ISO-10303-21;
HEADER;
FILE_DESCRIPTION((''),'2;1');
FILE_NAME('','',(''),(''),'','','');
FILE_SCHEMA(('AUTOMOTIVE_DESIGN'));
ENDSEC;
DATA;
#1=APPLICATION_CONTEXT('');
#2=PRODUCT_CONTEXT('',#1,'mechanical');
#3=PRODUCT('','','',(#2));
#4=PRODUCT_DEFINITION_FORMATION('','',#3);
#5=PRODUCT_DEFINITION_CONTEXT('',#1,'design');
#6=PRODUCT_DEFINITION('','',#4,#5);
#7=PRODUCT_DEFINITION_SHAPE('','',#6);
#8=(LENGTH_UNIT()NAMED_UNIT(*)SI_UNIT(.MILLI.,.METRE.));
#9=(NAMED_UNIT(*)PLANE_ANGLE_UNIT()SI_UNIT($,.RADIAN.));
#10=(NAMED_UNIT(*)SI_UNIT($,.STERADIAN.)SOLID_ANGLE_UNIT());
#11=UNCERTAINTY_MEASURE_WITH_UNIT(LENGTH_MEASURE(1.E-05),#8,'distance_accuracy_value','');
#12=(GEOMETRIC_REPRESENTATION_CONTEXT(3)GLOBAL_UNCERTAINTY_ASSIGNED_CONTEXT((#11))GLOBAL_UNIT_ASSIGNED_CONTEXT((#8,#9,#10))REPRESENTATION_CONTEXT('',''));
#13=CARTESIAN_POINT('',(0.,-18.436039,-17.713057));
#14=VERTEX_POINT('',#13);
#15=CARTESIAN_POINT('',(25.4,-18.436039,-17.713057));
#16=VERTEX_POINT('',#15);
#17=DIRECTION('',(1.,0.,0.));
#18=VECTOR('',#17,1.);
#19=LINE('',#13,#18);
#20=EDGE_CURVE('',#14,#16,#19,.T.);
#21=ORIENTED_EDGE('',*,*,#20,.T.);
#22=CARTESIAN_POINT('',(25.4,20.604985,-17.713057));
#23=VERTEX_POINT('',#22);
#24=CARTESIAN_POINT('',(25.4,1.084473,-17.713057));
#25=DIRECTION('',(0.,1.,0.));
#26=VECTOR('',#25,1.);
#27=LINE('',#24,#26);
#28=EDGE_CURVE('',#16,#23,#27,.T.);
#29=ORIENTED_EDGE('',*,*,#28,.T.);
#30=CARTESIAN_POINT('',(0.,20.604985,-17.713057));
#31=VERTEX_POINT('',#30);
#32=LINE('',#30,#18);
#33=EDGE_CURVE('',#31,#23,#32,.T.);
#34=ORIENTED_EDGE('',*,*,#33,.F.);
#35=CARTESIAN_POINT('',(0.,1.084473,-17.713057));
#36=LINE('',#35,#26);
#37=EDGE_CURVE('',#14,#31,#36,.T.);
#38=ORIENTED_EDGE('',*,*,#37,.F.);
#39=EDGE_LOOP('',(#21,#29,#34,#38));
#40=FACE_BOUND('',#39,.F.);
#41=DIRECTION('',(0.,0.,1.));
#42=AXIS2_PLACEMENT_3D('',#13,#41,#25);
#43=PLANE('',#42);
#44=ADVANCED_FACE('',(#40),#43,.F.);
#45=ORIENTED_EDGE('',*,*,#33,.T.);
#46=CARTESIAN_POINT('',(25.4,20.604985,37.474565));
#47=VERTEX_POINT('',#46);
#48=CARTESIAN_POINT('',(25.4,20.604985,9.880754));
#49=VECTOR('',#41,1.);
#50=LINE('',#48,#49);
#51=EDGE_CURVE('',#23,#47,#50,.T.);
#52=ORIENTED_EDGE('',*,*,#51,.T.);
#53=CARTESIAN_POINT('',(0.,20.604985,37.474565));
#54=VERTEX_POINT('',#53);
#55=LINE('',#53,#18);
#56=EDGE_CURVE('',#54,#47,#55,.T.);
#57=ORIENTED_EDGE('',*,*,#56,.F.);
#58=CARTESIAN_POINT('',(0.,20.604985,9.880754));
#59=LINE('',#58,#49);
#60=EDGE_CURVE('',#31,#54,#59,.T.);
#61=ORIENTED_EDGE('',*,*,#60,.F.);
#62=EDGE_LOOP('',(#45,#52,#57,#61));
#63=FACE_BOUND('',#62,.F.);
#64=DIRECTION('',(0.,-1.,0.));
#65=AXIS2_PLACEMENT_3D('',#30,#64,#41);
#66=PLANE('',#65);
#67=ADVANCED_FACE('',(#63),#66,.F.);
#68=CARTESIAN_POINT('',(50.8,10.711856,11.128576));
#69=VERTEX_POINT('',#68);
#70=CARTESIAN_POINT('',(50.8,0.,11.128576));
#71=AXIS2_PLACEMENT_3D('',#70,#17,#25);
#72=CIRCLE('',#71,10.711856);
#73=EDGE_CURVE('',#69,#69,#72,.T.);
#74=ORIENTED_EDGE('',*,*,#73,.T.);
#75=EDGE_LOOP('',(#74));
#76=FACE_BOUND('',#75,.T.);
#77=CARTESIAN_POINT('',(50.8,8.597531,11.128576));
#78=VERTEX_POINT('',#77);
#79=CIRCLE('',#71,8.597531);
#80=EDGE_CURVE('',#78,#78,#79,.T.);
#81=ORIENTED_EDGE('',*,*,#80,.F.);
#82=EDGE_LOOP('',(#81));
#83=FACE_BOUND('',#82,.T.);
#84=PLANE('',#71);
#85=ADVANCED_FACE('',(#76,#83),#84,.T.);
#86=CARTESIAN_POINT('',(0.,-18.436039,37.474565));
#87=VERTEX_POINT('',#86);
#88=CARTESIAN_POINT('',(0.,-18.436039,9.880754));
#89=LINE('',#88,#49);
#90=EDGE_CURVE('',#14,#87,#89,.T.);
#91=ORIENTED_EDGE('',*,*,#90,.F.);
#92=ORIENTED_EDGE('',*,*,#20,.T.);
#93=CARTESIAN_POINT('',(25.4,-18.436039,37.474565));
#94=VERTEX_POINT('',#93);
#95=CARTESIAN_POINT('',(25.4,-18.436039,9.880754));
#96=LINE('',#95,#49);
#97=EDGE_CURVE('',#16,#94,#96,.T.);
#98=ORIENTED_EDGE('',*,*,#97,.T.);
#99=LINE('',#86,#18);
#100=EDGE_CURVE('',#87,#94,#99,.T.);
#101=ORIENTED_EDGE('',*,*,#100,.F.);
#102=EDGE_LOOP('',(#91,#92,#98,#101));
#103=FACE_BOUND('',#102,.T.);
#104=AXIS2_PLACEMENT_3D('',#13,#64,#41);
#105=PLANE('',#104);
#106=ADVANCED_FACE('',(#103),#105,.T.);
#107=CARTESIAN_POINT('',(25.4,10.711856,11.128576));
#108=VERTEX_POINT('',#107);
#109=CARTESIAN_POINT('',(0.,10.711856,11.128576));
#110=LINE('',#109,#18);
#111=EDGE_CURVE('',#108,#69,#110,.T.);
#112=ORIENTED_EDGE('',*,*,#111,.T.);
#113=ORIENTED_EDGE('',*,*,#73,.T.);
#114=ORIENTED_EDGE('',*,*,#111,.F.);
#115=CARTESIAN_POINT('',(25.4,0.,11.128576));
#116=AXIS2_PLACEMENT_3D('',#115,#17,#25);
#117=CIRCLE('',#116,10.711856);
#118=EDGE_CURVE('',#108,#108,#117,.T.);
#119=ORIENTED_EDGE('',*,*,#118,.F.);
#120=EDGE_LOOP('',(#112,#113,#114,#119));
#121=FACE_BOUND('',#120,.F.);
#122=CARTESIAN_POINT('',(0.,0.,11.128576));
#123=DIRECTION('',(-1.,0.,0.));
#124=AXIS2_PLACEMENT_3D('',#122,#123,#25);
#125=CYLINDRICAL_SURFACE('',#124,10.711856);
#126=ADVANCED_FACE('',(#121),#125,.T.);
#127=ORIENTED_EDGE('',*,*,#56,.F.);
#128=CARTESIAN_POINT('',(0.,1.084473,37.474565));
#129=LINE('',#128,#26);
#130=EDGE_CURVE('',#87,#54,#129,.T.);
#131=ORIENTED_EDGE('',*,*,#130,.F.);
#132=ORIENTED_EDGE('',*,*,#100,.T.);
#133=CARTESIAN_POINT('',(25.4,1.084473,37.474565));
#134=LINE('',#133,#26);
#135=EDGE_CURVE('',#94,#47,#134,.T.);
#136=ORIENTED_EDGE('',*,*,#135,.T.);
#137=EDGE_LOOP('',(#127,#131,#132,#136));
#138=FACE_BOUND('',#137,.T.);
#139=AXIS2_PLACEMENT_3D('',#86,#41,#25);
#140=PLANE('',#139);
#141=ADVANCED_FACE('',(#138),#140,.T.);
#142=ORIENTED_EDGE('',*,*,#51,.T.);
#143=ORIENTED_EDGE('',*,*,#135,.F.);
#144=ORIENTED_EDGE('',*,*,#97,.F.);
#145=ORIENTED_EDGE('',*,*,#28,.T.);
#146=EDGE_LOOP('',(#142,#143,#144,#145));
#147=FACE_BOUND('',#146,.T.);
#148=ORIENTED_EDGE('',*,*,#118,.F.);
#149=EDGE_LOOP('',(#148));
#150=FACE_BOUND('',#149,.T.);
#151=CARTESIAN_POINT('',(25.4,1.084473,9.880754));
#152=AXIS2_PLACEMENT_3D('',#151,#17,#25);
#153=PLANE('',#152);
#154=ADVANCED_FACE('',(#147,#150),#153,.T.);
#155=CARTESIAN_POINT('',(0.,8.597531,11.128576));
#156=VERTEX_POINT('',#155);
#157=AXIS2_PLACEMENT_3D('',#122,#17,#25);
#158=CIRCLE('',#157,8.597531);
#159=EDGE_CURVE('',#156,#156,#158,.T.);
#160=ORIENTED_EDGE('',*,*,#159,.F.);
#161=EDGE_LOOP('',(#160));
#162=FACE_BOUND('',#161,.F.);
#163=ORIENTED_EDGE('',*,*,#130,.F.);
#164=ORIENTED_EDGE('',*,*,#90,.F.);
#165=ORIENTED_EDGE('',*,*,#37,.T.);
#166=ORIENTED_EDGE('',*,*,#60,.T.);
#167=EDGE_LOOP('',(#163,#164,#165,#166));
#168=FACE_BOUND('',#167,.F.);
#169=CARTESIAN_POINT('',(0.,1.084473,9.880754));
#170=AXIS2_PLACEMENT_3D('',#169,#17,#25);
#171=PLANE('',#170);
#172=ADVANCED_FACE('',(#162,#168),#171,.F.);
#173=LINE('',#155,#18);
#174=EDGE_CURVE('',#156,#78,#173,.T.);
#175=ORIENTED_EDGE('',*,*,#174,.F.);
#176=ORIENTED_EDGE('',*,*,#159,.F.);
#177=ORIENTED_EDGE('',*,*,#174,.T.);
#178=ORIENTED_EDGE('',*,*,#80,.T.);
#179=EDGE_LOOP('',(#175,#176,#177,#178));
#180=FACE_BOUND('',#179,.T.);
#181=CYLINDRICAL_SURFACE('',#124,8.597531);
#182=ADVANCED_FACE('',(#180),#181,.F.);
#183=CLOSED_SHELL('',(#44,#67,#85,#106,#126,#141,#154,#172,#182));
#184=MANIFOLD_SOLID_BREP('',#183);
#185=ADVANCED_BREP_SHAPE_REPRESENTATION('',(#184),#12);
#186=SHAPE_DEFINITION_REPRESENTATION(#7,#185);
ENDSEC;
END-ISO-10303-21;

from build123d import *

# Parameters (mm, degrees)
F0_R     = 10.711856
F0_R_2   = 8.597531
F1_DEPTH = 50.8
F0_W     = 39.041024
F0_H     = 55.187622
F2_DEPTH = 25.4


with BuildPart() as f1:
    # F0 (on Right) → F1 (new body)
    with BuildSketch(Plane.YZ):
        with Locations((0, 11.128576)):
            Circle(F0_R)
        with Locations((0, 11.128576)):
            Circle(F0_R_2, mode=Mode.SUBTRACT)
    extrude(amount=F1_DEPTH)

    # F0 (on Right) → F2 (join)
    with BuildSketch(Plane.YZ):
        with Locations((1.084473, 9.880754)):
            Rectangle(F0_W, F0_H)
        with Locations((0, 11.128576)):
            Circle(F0_R, mode=Mode.SUBTRACT)
    extrude(amount=F2_DEPTH)


solid = f1.part
